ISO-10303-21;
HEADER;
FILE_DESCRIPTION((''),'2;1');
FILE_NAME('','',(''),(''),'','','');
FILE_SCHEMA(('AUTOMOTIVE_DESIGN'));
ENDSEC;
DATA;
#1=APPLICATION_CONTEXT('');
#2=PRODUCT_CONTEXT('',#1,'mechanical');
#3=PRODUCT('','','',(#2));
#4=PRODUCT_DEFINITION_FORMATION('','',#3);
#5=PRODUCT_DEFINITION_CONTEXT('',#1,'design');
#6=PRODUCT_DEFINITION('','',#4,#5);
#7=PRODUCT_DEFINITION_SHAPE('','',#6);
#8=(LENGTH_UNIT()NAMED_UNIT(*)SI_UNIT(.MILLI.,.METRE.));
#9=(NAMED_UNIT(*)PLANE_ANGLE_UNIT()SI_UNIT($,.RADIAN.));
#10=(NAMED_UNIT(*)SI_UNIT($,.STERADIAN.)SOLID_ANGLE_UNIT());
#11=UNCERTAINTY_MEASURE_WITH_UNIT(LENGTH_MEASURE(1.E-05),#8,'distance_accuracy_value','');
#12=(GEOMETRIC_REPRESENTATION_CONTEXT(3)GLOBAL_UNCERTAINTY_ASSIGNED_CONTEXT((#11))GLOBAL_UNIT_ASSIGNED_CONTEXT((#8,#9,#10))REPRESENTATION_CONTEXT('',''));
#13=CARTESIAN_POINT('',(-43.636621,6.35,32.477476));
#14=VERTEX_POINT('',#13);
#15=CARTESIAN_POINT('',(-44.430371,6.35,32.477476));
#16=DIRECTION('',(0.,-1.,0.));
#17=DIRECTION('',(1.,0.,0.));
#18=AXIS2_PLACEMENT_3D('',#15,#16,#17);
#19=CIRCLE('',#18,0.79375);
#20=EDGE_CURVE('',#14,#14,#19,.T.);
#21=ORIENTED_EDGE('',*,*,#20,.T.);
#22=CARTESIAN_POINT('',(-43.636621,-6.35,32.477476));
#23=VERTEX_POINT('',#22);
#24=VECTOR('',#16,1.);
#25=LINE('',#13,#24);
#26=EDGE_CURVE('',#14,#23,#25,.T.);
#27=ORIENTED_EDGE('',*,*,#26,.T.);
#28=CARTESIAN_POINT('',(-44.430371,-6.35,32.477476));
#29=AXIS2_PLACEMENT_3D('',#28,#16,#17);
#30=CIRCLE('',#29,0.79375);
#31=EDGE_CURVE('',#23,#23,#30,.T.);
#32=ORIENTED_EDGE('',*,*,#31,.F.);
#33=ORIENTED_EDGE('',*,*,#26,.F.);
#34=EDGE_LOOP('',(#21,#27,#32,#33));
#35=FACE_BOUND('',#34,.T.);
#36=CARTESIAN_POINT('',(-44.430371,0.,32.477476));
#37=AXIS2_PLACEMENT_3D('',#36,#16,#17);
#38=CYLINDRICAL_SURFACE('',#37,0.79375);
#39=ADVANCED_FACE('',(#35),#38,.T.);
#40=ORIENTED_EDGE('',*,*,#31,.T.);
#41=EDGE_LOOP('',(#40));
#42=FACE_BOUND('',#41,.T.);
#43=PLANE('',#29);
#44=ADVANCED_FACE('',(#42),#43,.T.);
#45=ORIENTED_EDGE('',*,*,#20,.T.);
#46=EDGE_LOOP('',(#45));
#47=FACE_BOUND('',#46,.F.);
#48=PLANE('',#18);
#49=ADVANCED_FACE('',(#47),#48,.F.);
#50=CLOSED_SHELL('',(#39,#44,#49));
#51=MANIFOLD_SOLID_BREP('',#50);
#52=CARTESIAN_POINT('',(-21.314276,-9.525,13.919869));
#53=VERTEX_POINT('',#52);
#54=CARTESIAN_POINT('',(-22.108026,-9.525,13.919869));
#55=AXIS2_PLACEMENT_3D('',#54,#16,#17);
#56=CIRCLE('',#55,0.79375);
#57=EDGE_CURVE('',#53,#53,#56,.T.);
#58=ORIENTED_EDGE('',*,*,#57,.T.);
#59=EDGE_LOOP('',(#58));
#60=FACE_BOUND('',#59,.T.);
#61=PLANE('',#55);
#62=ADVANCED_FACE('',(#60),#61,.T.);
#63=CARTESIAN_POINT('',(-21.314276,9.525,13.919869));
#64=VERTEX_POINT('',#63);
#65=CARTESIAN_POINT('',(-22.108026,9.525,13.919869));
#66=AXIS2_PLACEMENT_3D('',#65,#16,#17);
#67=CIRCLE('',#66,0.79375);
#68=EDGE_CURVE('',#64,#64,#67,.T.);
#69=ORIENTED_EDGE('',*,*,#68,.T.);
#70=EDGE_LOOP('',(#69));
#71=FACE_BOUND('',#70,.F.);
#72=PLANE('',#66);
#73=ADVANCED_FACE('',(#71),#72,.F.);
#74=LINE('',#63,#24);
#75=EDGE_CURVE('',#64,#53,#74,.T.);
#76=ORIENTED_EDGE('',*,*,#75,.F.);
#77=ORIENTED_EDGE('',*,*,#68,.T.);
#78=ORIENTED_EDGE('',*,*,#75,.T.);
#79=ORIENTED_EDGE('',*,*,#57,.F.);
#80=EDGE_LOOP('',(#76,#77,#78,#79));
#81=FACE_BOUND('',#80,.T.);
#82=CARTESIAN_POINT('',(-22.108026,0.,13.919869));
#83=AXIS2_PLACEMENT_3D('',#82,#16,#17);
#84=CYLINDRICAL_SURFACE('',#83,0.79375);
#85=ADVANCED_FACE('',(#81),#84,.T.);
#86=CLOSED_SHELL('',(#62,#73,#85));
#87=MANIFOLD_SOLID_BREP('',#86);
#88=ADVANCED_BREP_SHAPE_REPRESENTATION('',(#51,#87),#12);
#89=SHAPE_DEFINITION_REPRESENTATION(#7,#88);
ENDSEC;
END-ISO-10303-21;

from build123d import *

# Parameters (mm, degrees)
F0_R     = 0.79375
F1_DEPTH = 9.525
F2_R     = 0.79375
F3_DEPTH = 6.35


with BuildPart() as f1:
    # F0 (on Front) → F1 (new body, symmetric)
    with BuildSketch(Plane.XZ):
        with Locations((-22.108026, 13.919869)):
            Circle(F0_R)
    extrude(amount=F1_DEPTH, both=True)


with BuildPart() as f3:
    # F2 (on Front) → F3 (new body, symmetric)
    with BuildSketch(Plane.XZ):
        with Locations((-44.430371, 32.477476)):
            Circle(F2_R)
    extrude(amount=F3_DEPTH, both=True)


solid = Compound([f1.part, f3.part])
